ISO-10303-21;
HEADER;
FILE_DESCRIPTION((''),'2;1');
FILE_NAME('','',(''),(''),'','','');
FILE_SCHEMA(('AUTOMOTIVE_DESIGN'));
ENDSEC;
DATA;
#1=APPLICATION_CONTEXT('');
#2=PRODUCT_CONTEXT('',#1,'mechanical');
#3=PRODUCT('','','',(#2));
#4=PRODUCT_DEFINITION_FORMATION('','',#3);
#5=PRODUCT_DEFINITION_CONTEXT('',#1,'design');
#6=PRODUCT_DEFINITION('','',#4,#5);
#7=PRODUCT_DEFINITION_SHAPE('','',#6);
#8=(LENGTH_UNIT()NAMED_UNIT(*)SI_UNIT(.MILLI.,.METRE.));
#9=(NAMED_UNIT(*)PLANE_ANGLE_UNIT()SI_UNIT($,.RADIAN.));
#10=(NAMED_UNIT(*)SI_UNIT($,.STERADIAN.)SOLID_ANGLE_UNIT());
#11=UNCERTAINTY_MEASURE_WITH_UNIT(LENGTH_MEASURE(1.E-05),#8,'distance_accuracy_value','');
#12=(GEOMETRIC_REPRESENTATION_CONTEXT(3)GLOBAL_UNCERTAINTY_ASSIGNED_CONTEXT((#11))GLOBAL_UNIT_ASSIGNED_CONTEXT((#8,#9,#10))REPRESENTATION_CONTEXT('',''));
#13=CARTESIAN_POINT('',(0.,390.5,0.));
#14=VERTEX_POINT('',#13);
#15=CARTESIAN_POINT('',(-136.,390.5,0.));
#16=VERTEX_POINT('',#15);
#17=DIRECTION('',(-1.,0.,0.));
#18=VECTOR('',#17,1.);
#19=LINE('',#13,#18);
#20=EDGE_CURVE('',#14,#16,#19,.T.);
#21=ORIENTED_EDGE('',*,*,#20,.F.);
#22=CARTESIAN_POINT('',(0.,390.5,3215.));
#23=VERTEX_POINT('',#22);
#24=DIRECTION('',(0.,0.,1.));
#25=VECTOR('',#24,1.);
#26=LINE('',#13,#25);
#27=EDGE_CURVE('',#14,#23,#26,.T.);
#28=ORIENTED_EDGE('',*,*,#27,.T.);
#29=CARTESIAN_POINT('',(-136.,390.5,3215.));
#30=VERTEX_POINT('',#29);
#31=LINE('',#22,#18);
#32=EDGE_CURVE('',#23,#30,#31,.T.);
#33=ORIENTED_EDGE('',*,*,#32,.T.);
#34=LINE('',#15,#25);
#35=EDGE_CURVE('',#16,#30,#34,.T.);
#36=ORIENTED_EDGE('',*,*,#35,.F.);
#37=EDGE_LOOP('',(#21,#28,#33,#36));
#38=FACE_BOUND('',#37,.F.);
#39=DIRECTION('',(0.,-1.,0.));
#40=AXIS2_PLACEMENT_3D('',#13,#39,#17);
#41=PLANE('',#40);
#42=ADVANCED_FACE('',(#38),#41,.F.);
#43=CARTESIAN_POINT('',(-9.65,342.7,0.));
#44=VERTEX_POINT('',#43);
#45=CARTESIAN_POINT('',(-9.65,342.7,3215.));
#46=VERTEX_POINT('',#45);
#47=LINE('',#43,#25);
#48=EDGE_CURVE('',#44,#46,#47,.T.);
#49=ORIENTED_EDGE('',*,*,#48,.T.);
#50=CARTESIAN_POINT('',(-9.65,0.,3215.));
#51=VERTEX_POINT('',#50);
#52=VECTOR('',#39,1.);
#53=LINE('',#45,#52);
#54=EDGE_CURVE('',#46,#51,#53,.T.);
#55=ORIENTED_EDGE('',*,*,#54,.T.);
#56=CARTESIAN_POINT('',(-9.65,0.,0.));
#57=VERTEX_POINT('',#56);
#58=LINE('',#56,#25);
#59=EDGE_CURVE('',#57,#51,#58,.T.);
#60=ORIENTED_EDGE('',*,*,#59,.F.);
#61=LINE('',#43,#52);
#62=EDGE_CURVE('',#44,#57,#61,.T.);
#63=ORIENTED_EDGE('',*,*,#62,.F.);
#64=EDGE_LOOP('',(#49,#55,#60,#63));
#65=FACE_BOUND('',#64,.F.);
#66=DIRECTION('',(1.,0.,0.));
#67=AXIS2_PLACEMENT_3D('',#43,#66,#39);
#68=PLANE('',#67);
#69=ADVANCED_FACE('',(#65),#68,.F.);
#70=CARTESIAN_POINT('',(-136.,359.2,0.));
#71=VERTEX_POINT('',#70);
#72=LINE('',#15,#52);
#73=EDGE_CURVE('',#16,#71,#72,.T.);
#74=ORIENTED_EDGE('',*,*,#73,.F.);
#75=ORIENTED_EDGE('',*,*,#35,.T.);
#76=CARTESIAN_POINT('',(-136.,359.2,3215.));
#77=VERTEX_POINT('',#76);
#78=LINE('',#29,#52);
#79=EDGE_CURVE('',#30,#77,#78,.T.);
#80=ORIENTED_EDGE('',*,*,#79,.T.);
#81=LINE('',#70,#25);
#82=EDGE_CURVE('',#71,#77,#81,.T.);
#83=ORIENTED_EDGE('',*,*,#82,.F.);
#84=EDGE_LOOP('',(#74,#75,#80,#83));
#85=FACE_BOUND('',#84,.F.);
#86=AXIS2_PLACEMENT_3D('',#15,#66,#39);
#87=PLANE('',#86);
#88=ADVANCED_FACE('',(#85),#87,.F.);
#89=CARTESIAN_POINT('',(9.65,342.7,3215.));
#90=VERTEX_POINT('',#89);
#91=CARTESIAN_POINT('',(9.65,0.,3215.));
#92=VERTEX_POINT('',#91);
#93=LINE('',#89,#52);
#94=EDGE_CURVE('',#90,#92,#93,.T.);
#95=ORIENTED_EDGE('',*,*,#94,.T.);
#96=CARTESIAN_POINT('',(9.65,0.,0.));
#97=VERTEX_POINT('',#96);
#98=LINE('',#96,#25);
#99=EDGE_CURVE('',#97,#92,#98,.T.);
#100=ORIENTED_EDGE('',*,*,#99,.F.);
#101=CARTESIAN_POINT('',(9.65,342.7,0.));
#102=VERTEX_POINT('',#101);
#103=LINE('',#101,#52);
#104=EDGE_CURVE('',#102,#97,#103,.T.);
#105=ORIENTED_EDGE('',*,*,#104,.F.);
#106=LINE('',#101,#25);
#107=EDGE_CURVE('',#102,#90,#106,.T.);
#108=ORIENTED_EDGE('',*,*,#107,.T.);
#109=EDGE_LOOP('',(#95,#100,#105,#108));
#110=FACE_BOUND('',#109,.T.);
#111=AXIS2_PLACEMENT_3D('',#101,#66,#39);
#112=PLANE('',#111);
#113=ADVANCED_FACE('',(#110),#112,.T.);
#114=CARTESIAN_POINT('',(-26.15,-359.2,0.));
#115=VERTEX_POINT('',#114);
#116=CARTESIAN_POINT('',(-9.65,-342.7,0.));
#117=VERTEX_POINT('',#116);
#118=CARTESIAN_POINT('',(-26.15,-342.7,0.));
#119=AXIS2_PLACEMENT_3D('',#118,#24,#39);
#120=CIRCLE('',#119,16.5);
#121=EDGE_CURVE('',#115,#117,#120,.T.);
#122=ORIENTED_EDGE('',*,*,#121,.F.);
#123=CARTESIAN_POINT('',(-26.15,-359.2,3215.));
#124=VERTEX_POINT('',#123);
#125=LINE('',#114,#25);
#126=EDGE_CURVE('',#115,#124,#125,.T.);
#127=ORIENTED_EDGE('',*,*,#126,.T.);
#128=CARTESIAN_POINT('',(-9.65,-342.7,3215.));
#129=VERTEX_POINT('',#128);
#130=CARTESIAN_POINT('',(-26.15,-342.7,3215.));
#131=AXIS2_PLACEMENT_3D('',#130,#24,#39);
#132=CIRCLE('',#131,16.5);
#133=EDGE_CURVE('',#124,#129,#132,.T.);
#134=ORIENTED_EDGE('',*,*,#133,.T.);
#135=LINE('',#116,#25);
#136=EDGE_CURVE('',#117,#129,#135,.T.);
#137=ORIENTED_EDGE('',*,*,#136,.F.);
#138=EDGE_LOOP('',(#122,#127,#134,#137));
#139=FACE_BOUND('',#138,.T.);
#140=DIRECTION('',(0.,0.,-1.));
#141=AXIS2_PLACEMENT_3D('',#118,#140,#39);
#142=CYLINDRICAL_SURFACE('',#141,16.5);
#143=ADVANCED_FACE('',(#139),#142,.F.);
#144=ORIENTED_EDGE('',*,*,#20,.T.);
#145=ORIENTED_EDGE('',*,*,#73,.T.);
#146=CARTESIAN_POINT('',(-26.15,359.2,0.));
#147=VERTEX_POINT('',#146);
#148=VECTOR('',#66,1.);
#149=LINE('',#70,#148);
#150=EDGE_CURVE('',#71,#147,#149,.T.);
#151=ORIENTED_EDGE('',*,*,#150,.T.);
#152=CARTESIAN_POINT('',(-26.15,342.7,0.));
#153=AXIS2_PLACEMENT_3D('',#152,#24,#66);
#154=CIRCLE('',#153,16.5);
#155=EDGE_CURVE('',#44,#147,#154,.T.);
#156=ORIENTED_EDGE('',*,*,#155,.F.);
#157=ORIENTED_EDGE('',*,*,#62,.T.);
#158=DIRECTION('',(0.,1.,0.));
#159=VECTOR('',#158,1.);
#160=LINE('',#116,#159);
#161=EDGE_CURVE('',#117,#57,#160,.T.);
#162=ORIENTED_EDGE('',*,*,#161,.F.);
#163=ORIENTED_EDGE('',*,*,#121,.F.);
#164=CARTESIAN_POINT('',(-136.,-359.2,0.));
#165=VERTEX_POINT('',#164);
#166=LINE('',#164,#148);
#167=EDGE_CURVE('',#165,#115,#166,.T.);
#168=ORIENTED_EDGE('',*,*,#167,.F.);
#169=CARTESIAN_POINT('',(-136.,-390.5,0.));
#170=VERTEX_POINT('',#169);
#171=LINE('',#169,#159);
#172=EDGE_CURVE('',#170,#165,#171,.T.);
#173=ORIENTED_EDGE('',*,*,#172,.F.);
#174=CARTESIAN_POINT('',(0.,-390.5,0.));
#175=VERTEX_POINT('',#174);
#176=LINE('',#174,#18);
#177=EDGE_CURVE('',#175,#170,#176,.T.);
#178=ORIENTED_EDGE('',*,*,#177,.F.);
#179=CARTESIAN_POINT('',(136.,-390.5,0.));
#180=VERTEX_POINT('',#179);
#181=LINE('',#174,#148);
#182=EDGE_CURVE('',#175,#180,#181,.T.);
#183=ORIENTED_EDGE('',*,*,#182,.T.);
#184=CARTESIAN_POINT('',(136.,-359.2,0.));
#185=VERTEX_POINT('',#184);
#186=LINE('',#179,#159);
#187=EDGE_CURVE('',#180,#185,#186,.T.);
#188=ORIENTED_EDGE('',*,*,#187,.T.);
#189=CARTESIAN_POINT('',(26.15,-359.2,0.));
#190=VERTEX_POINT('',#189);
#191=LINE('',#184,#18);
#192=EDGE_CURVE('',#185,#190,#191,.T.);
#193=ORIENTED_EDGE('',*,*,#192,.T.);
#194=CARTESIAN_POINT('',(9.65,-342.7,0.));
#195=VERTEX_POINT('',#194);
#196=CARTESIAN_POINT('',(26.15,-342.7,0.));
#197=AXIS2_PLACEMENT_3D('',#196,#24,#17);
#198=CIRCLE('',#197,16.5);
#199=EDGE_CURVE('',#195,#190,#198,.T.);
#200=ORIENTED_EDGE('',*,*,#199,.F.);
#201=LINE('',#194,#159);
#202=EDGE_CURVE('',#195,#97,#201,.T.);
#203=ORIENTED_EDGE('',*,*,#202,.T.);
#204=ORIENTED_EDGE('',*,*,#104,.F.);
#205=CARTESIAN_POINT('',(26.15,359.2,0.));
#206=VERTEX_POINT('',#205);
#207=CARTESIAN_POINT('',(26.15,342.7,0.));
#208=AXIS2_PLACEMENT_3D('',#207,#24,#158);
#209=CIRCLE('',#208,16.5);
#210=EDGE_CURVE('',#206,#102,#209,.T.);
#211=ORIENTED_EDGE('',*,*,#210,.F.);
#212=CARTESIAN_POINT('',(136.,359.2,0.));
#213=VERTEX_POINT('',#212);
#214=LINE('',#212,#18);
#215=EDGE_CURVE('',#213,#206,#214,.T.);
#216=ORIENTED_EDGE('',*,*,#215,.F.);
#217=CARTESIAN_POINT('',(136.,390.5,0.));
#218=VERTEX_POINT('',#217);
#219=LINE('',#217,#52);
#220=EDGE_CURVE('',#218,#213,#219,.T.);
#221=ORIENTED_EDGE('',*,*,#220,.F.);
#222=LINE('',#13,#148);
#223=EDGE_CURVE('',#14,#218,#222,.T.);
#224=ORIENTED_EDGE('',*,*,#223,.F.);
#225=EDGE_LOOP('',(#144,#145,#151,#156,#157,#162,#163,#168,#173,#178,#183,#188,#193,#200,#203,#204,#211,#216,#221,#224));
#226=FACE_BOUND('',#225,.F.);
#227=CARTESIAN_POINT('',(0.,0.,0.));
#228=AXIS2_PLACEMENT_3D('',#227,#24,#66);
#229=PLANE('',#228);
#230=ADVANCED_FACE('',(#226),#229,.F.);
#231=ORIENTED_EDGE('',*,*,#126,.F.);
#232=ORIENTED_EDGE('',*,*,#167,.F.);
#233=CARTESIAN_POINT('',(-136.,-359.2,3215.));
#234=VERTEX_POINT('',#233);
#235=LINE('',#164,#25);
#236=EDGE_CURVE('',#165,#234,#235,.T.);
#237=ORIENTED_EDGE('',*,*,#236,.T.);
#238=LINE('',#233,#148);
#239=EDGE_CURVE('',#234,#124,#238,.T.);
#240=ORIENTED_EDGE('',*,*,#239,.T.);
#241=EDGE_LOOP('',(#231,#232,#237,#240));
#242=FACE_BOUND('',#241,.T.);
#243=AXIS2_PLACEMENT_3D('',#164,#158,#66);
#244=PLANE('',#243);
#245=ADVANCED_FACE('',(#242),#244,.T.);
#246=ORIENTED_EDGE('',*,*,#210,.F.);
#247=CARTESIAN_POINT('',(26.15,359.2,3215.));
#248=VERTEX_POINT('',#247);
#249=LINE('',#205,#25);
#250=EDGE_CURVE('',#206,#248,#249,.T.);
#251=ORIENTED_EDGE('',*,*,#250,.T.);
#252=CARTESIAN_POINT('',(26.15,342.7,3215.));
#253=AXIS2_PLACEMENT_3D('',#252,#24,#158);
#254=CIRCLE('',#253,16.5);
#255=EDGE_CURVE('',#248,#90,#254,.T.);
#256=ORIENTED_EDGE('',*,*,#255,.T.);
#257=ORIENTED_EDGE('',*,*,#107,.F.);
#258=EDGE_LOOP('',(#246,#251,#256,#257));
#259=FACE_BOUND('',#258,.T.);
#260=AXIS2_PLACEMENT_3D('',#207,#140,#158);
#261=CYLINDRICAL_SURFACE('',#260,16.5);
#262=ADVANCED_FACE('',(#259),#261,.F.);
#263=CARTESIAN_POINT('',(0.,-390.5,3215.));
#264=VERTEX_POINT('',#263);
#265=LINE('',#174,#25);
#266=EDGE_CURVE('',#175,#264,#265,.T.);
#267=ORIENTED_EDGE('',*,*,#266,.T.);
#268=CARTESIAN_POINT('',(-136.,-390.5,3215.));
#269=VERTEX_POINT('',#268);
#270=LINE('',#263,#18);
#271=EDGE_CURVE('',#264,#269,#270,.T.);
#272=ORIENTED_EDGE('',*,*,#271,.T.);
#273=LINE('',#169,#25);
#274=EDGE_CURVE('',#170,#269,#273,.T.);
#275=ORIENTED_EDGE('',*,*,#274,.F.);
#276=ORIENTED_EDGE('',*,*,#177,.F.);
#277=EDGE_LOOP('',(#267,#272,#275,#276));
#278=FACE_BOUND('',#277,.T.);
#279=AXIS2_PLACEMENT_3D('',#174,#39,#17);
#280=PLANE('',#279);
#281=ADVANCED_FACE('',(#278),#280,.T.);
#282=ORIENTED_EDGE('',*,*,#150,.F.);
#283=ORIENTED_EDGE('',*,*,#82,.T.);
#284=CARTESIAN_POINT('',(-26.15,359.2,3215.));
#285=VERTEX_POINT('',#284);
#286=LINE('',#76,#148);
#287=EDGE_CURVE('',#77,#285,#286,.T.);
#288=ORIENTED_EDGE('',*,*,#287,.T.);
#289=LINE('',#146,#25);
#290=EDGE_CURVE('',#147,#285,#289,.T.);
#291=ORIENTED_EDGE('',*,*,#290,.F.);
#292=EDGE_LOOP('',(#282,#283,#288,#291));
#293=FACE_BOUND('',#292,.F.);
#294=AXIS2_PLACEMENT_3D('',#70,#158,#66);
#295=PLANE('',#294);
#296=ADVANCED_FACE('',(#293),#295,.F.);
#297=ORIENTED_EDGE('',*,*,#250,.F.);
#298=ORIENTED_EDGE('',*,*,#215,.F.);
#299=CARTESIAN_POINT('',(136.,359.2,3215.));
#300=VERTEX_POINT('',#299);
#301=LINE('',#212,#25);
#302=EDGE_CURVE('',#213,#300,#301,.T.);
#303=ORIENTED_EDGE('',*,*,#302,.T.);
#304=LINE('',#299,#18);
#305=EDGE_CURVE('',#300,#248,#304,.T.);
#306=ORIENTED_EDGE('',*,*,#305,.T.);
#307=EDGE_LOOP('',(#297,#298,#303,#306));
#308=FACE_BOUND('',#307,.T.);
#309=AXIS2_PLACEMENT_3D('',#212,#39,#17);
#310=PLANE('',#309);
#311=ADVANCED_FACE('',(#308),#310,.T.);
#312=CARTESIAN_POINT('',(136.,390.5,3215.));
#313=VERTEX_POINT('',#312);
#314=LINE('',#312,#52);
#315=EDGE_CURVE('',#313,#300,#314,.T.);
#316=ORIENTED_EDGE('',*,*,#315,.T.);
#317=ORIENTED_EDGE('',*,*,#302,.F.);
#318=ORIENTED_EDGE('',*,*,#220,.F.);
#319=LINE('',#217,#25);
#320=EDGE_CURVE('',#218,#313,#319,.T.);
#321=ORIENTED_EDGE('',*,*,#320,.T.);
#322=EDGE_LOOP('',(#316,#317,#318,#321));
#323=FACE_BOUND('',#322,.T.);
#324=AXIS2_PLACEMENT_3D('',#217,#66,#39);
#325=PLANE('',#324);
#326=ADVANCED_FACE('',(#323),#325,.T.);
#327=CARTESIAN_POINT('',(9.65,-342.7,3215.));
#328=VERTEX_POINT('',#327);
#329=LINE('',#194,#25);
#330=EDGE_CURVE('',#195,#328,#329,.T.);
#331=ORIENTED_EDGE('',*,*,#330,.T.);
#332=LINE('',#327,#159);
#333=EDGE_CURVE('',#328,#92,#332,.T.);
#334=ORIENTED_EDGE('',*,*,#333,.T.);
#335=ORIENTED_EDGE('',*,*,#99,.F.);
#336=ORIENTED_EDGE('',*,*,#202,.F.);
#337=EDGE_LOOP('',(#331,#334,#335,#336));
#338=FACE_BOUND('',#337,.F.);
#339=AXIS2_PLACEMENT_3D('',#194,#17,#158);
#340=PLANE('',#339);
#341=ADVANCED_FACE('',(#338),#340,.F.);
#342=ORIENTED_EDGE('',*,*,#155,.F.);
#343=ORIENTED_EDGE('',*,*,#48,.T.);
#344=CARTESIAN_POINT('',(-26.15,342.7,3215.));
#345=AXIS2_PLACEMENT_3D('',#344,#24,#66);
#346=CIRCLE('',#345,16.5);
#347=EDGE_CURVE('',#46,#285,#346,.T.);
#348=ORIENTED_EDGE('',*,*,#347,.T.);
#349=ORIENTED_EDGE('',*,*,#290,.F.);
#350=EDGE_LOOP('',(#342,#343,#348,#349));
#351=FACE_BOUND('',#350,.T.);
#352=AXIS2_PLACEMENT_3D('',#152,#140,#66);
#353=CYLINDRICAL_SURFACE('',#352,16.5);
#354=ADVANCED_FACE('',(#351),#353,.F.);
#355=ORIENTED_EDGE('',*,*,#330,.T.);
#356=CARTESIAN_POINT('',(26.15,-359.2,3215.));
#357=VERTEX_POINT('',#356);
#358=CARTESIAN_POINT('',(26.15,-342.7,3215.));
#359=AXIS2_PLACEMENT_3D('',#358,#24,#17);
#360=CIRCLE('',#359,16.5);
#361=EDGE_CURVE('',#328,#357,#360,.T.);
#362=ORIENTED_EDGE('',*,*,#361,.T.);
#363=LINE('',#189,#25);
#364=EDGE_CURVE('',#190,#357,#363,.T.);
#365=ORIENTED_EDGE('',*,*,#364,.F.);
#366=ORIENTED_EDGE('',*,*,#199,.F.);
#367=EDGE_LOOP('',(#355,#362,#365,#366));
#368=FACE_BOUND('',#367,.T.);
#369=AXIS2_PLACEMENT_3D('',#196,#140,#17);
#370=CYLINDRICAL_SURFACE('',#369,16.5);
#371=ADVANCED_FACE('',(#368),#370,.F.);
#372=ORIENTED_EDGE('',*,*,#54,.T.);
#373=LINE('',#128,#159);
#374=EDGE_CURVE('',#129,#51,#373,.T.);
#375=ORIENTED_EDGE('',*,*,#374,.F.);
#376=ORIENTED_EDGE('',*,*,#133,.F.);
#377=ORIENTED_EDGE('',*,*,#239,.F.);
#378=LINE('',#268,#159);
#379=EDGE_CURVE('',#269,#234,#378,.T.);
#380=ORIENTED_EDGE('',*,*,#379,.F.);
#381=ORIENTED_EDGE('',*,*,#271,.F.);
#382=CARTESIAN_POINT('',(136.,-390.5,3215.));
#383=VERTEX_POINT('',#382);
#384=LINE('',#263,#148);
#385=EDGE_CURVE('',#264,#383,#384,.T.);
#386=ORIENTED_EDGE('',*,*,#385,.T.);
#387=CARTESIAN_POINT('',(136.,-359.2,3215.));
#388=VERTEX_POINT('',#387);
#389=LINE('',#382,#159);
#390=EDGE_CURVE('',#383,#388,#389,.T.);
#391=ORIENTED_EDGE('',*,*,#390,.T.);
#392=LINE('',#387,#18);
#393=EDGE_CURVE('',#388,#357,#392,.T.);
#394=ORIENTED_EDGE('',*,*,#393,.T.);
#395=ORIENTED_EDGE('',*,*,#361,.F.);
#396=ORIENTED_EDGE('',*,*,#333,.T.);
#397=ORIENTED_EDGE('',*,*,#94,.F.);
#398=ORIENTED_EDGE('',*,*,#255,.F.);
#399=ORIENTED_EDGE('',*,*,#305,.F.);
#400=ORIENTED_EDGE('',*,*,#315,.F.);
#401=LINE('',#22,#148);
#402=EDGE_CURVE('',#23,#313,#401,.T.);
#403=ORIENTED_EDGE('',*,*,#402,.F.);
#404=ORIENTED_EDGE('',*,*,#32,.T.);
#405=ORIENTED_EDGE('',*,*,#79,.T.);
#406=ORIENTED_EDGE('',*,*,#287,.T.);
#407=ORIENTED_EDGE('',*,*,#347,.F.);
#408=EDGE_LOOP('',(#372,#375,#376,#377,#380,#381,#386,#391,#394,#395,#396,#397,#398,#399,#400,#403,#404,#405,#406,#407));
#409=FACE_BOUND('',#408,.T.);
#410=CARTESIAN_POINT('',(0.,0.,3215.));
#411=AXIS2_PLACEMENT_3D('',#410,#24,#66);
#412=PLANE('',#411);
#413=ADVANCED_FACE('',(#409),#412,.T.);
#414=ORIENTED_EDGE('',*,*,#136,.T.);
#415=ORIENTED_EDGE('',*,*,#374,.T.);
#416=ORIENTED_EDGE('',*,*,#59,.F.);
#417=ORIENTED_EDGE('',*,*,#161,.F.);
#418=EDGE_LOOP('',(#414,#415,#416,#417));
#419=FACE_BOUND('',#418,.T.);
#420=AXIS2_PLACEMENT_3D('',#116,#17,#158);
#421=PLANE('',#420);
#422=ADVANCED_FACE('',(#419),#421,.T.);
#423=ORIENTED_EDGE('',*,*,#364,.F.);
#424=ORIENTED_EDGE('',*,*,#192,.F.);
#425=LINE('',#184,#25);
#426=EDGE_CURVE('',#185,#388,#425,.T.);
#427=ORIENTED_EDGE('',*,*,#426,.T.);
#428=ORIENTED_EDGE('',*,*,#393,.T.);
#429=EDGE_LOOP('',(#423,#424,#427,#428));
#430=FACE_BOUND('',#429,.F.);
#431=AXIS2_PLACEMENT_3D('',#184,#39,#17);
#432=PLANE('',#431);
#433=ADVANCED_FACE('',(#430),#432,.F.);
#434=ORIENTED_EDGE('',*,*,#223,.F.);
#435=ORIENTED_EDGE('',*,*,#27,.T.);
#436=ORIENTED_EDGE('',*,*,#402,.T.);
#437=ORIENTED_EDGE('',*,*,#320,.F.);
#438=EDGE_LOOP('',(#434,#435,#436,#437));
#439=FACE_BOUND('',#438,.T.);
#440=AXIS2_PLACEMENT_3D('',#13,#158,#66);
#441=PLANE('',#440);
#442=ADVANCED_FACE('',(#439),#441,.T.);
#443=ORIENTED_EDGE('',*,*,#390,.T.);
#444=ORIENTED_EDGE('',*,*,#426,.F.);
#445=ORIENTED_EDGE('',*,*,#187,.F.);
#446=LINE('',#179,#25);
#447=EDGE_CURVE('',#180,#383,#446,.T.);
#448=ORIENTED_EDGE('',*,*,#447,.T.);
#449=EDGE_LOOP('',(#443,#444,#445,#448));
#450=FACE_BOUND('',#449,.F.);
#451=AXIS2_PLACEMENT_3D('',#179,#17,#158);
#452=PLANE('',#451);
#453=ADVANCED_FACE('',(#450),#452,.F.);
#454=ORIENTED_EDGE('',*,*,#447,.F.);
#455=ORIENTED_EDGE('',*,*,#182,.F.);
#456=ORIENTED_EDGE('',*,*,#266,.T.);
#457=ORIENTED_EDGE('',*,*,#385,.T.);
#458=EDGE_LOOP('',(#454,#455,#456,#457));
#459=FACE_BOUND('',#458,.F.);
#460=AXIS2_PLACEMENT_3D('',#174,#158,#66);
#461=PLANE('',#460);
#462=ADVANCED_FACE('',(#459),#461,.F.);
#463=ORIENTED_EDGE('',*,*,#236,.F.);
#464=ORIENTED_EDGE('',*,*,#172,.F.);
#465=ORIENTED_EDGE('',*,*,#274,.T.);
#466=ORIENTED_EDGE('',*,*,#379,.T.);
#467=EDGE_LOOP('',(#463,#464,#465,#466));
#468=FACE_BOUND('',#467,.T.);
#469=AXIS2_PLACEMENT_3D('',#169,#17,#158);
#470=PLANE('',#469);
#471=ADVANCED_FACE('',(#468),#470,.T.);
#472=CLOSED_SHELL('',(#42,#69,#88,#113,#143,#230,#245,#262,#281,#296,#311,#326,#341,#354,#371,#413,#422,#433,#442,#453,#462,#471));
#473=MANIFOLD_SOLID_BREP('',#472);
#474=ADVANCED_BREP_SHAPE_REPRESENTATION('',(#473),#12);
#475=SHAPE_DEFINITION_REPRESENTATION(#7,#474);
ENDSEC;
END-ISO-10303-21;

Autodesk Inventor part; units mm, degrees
ref_plane "YZ Plane" through (0, 0, 0) normal (1, 0, 0) x (0, 1, 0)
ref_plane "Start plane" through (0, 0, 0) normal (0, 0, 1) x (1, 0, 0)
ref_plane "End plane" through (0, 0, 3215) normal (0, 0, 1) x (1, 0, 0)
sketch "Sketch" plane through (0, 0, 0) normal (0, 0, 1) x (1, 0, 0)
  line L0 (-136, -390.5) -> (-136, -359.2)
  line L1 (-136, -359.2) -> (-26.15, -359.2)
  line L2 (-9.65, -342.7) -> (-9.65, 0)
  line L3 (-9.65, 0) -> (0, 0) construction
  line L4 (0, 0) -> (0, -390.5) construction
  line L5 (0, -390.5) -> (-136, -390.5)
  line L6 (-60, 0) -> (80, 0) construction
  line L7 (0, -60) -> (0, 80) construction
  line L8 (136, -390.5) -> (136, -359.2)
  line L9 (136, -359.2) -> (26.15, -359.2)
  line L10 (9.65, -342.7) -> (9.65, 0)
  line L11 (9.65, 0) -> (0, 0) construction
  line L12 (0, -390.5) -> (136, -390.5)
  line L13 (-136, 390.5) -> (-136, 359.2)
  line L14 (-136, 359.2) -> (-26.15, 359.2)
  line L15 (-9.65, 342.7) -> (-9.65, 0)
  line L16 (0, 390.5) -> (-136, 390.5)
  line L17 (136, 390.5) -> (136, 359.2)
  line L18 (136, 359.2) -> (26.15, 359.2)
  line L19 (0, 390.5) -> (136, 390.5)
  line L20 (9.65, 342.7) -> (9.65, 0)
  arc A0 (-9.65, 342.7) -> (-26.15, 359.2) centre (-26.15, 342.7) ccw
  arc A1 (26.15, 359.2) -> (9.65, 342.7) centre (26.15, 342.7) ccw
  arc A2 (9.65, -342.7) -> (26.15, -359.2) centre (26.15, -342.7) ccw
  arc A3 (-26.15, -359.2) -> (-9.65, -342.7) centre (-26.15, -342.7) ccw
  line L21 (0, 108) -> (0, -88) construction
  line L22 (-88, 0) -> (108, 0) construction
  point P0 (-9.65, -359.2)
  point P1 (9.65, -359.2)
  point P2 (-9.65, 359.2)
  point P3 (9.65, 359.2)
  dimension "d1" = 390.5
  dimension "d2" = 31.3
  dimension "d3" = 136
  dimension "d4" = 9.65
  dimension "d10" = 16.5
extrude "Body" add sketch "Sketch" along normal up to surface (3215 mm away) from surface at 0
sketch "Sketch4" plane through (0, 0, 0) normal (0, 0, 1) x (1, 0, 0)
  line L0 (0, 0) -> (10, 0)
ref_plane "Work Plane3" through (0, 0, 0) normal (0, -1, 0) x (1, 0, 0)
sketch "Sketch5" plane through (0, 0, 0) normal (0, -1, 0) x (1, 0, 0)
  line L0 (-2, 0) -> (12, 0) projected
  line L1 (-2, 3215) -> (12, 3215) projected
  dimension "d14" = 3215
equation "\"d1\" = 0.5 * G_H"
equation "\"d2\" = G_T1"
equation "\"d3\" = 0.5 * G_W"
equation "\"d4\" = 0.5 * G_T"
equation "\"d10\" = G_IR"
equation "\"d5\" = G_L"
equation "\"G_W\" = 272"
equation "\"G_H\" = 781"
equation "\"G_T\" = 19.3"
equation "\"G_T1\" = 31.3"
equation "\"G_IR\" = 16.5"
equation "\"G_L\" = d14"
equation "\"G_OFFSET_START\" = 0"
equation "\"G_OFFSET_END\" = 0"
equation "\"d12\" = G_OFFSET_END + B_L"
equation "\"B_L\" = 3215"
properties part number "AS 3679-1990 - 760 UB - 244 - 3215" material "Steel, Mild"
